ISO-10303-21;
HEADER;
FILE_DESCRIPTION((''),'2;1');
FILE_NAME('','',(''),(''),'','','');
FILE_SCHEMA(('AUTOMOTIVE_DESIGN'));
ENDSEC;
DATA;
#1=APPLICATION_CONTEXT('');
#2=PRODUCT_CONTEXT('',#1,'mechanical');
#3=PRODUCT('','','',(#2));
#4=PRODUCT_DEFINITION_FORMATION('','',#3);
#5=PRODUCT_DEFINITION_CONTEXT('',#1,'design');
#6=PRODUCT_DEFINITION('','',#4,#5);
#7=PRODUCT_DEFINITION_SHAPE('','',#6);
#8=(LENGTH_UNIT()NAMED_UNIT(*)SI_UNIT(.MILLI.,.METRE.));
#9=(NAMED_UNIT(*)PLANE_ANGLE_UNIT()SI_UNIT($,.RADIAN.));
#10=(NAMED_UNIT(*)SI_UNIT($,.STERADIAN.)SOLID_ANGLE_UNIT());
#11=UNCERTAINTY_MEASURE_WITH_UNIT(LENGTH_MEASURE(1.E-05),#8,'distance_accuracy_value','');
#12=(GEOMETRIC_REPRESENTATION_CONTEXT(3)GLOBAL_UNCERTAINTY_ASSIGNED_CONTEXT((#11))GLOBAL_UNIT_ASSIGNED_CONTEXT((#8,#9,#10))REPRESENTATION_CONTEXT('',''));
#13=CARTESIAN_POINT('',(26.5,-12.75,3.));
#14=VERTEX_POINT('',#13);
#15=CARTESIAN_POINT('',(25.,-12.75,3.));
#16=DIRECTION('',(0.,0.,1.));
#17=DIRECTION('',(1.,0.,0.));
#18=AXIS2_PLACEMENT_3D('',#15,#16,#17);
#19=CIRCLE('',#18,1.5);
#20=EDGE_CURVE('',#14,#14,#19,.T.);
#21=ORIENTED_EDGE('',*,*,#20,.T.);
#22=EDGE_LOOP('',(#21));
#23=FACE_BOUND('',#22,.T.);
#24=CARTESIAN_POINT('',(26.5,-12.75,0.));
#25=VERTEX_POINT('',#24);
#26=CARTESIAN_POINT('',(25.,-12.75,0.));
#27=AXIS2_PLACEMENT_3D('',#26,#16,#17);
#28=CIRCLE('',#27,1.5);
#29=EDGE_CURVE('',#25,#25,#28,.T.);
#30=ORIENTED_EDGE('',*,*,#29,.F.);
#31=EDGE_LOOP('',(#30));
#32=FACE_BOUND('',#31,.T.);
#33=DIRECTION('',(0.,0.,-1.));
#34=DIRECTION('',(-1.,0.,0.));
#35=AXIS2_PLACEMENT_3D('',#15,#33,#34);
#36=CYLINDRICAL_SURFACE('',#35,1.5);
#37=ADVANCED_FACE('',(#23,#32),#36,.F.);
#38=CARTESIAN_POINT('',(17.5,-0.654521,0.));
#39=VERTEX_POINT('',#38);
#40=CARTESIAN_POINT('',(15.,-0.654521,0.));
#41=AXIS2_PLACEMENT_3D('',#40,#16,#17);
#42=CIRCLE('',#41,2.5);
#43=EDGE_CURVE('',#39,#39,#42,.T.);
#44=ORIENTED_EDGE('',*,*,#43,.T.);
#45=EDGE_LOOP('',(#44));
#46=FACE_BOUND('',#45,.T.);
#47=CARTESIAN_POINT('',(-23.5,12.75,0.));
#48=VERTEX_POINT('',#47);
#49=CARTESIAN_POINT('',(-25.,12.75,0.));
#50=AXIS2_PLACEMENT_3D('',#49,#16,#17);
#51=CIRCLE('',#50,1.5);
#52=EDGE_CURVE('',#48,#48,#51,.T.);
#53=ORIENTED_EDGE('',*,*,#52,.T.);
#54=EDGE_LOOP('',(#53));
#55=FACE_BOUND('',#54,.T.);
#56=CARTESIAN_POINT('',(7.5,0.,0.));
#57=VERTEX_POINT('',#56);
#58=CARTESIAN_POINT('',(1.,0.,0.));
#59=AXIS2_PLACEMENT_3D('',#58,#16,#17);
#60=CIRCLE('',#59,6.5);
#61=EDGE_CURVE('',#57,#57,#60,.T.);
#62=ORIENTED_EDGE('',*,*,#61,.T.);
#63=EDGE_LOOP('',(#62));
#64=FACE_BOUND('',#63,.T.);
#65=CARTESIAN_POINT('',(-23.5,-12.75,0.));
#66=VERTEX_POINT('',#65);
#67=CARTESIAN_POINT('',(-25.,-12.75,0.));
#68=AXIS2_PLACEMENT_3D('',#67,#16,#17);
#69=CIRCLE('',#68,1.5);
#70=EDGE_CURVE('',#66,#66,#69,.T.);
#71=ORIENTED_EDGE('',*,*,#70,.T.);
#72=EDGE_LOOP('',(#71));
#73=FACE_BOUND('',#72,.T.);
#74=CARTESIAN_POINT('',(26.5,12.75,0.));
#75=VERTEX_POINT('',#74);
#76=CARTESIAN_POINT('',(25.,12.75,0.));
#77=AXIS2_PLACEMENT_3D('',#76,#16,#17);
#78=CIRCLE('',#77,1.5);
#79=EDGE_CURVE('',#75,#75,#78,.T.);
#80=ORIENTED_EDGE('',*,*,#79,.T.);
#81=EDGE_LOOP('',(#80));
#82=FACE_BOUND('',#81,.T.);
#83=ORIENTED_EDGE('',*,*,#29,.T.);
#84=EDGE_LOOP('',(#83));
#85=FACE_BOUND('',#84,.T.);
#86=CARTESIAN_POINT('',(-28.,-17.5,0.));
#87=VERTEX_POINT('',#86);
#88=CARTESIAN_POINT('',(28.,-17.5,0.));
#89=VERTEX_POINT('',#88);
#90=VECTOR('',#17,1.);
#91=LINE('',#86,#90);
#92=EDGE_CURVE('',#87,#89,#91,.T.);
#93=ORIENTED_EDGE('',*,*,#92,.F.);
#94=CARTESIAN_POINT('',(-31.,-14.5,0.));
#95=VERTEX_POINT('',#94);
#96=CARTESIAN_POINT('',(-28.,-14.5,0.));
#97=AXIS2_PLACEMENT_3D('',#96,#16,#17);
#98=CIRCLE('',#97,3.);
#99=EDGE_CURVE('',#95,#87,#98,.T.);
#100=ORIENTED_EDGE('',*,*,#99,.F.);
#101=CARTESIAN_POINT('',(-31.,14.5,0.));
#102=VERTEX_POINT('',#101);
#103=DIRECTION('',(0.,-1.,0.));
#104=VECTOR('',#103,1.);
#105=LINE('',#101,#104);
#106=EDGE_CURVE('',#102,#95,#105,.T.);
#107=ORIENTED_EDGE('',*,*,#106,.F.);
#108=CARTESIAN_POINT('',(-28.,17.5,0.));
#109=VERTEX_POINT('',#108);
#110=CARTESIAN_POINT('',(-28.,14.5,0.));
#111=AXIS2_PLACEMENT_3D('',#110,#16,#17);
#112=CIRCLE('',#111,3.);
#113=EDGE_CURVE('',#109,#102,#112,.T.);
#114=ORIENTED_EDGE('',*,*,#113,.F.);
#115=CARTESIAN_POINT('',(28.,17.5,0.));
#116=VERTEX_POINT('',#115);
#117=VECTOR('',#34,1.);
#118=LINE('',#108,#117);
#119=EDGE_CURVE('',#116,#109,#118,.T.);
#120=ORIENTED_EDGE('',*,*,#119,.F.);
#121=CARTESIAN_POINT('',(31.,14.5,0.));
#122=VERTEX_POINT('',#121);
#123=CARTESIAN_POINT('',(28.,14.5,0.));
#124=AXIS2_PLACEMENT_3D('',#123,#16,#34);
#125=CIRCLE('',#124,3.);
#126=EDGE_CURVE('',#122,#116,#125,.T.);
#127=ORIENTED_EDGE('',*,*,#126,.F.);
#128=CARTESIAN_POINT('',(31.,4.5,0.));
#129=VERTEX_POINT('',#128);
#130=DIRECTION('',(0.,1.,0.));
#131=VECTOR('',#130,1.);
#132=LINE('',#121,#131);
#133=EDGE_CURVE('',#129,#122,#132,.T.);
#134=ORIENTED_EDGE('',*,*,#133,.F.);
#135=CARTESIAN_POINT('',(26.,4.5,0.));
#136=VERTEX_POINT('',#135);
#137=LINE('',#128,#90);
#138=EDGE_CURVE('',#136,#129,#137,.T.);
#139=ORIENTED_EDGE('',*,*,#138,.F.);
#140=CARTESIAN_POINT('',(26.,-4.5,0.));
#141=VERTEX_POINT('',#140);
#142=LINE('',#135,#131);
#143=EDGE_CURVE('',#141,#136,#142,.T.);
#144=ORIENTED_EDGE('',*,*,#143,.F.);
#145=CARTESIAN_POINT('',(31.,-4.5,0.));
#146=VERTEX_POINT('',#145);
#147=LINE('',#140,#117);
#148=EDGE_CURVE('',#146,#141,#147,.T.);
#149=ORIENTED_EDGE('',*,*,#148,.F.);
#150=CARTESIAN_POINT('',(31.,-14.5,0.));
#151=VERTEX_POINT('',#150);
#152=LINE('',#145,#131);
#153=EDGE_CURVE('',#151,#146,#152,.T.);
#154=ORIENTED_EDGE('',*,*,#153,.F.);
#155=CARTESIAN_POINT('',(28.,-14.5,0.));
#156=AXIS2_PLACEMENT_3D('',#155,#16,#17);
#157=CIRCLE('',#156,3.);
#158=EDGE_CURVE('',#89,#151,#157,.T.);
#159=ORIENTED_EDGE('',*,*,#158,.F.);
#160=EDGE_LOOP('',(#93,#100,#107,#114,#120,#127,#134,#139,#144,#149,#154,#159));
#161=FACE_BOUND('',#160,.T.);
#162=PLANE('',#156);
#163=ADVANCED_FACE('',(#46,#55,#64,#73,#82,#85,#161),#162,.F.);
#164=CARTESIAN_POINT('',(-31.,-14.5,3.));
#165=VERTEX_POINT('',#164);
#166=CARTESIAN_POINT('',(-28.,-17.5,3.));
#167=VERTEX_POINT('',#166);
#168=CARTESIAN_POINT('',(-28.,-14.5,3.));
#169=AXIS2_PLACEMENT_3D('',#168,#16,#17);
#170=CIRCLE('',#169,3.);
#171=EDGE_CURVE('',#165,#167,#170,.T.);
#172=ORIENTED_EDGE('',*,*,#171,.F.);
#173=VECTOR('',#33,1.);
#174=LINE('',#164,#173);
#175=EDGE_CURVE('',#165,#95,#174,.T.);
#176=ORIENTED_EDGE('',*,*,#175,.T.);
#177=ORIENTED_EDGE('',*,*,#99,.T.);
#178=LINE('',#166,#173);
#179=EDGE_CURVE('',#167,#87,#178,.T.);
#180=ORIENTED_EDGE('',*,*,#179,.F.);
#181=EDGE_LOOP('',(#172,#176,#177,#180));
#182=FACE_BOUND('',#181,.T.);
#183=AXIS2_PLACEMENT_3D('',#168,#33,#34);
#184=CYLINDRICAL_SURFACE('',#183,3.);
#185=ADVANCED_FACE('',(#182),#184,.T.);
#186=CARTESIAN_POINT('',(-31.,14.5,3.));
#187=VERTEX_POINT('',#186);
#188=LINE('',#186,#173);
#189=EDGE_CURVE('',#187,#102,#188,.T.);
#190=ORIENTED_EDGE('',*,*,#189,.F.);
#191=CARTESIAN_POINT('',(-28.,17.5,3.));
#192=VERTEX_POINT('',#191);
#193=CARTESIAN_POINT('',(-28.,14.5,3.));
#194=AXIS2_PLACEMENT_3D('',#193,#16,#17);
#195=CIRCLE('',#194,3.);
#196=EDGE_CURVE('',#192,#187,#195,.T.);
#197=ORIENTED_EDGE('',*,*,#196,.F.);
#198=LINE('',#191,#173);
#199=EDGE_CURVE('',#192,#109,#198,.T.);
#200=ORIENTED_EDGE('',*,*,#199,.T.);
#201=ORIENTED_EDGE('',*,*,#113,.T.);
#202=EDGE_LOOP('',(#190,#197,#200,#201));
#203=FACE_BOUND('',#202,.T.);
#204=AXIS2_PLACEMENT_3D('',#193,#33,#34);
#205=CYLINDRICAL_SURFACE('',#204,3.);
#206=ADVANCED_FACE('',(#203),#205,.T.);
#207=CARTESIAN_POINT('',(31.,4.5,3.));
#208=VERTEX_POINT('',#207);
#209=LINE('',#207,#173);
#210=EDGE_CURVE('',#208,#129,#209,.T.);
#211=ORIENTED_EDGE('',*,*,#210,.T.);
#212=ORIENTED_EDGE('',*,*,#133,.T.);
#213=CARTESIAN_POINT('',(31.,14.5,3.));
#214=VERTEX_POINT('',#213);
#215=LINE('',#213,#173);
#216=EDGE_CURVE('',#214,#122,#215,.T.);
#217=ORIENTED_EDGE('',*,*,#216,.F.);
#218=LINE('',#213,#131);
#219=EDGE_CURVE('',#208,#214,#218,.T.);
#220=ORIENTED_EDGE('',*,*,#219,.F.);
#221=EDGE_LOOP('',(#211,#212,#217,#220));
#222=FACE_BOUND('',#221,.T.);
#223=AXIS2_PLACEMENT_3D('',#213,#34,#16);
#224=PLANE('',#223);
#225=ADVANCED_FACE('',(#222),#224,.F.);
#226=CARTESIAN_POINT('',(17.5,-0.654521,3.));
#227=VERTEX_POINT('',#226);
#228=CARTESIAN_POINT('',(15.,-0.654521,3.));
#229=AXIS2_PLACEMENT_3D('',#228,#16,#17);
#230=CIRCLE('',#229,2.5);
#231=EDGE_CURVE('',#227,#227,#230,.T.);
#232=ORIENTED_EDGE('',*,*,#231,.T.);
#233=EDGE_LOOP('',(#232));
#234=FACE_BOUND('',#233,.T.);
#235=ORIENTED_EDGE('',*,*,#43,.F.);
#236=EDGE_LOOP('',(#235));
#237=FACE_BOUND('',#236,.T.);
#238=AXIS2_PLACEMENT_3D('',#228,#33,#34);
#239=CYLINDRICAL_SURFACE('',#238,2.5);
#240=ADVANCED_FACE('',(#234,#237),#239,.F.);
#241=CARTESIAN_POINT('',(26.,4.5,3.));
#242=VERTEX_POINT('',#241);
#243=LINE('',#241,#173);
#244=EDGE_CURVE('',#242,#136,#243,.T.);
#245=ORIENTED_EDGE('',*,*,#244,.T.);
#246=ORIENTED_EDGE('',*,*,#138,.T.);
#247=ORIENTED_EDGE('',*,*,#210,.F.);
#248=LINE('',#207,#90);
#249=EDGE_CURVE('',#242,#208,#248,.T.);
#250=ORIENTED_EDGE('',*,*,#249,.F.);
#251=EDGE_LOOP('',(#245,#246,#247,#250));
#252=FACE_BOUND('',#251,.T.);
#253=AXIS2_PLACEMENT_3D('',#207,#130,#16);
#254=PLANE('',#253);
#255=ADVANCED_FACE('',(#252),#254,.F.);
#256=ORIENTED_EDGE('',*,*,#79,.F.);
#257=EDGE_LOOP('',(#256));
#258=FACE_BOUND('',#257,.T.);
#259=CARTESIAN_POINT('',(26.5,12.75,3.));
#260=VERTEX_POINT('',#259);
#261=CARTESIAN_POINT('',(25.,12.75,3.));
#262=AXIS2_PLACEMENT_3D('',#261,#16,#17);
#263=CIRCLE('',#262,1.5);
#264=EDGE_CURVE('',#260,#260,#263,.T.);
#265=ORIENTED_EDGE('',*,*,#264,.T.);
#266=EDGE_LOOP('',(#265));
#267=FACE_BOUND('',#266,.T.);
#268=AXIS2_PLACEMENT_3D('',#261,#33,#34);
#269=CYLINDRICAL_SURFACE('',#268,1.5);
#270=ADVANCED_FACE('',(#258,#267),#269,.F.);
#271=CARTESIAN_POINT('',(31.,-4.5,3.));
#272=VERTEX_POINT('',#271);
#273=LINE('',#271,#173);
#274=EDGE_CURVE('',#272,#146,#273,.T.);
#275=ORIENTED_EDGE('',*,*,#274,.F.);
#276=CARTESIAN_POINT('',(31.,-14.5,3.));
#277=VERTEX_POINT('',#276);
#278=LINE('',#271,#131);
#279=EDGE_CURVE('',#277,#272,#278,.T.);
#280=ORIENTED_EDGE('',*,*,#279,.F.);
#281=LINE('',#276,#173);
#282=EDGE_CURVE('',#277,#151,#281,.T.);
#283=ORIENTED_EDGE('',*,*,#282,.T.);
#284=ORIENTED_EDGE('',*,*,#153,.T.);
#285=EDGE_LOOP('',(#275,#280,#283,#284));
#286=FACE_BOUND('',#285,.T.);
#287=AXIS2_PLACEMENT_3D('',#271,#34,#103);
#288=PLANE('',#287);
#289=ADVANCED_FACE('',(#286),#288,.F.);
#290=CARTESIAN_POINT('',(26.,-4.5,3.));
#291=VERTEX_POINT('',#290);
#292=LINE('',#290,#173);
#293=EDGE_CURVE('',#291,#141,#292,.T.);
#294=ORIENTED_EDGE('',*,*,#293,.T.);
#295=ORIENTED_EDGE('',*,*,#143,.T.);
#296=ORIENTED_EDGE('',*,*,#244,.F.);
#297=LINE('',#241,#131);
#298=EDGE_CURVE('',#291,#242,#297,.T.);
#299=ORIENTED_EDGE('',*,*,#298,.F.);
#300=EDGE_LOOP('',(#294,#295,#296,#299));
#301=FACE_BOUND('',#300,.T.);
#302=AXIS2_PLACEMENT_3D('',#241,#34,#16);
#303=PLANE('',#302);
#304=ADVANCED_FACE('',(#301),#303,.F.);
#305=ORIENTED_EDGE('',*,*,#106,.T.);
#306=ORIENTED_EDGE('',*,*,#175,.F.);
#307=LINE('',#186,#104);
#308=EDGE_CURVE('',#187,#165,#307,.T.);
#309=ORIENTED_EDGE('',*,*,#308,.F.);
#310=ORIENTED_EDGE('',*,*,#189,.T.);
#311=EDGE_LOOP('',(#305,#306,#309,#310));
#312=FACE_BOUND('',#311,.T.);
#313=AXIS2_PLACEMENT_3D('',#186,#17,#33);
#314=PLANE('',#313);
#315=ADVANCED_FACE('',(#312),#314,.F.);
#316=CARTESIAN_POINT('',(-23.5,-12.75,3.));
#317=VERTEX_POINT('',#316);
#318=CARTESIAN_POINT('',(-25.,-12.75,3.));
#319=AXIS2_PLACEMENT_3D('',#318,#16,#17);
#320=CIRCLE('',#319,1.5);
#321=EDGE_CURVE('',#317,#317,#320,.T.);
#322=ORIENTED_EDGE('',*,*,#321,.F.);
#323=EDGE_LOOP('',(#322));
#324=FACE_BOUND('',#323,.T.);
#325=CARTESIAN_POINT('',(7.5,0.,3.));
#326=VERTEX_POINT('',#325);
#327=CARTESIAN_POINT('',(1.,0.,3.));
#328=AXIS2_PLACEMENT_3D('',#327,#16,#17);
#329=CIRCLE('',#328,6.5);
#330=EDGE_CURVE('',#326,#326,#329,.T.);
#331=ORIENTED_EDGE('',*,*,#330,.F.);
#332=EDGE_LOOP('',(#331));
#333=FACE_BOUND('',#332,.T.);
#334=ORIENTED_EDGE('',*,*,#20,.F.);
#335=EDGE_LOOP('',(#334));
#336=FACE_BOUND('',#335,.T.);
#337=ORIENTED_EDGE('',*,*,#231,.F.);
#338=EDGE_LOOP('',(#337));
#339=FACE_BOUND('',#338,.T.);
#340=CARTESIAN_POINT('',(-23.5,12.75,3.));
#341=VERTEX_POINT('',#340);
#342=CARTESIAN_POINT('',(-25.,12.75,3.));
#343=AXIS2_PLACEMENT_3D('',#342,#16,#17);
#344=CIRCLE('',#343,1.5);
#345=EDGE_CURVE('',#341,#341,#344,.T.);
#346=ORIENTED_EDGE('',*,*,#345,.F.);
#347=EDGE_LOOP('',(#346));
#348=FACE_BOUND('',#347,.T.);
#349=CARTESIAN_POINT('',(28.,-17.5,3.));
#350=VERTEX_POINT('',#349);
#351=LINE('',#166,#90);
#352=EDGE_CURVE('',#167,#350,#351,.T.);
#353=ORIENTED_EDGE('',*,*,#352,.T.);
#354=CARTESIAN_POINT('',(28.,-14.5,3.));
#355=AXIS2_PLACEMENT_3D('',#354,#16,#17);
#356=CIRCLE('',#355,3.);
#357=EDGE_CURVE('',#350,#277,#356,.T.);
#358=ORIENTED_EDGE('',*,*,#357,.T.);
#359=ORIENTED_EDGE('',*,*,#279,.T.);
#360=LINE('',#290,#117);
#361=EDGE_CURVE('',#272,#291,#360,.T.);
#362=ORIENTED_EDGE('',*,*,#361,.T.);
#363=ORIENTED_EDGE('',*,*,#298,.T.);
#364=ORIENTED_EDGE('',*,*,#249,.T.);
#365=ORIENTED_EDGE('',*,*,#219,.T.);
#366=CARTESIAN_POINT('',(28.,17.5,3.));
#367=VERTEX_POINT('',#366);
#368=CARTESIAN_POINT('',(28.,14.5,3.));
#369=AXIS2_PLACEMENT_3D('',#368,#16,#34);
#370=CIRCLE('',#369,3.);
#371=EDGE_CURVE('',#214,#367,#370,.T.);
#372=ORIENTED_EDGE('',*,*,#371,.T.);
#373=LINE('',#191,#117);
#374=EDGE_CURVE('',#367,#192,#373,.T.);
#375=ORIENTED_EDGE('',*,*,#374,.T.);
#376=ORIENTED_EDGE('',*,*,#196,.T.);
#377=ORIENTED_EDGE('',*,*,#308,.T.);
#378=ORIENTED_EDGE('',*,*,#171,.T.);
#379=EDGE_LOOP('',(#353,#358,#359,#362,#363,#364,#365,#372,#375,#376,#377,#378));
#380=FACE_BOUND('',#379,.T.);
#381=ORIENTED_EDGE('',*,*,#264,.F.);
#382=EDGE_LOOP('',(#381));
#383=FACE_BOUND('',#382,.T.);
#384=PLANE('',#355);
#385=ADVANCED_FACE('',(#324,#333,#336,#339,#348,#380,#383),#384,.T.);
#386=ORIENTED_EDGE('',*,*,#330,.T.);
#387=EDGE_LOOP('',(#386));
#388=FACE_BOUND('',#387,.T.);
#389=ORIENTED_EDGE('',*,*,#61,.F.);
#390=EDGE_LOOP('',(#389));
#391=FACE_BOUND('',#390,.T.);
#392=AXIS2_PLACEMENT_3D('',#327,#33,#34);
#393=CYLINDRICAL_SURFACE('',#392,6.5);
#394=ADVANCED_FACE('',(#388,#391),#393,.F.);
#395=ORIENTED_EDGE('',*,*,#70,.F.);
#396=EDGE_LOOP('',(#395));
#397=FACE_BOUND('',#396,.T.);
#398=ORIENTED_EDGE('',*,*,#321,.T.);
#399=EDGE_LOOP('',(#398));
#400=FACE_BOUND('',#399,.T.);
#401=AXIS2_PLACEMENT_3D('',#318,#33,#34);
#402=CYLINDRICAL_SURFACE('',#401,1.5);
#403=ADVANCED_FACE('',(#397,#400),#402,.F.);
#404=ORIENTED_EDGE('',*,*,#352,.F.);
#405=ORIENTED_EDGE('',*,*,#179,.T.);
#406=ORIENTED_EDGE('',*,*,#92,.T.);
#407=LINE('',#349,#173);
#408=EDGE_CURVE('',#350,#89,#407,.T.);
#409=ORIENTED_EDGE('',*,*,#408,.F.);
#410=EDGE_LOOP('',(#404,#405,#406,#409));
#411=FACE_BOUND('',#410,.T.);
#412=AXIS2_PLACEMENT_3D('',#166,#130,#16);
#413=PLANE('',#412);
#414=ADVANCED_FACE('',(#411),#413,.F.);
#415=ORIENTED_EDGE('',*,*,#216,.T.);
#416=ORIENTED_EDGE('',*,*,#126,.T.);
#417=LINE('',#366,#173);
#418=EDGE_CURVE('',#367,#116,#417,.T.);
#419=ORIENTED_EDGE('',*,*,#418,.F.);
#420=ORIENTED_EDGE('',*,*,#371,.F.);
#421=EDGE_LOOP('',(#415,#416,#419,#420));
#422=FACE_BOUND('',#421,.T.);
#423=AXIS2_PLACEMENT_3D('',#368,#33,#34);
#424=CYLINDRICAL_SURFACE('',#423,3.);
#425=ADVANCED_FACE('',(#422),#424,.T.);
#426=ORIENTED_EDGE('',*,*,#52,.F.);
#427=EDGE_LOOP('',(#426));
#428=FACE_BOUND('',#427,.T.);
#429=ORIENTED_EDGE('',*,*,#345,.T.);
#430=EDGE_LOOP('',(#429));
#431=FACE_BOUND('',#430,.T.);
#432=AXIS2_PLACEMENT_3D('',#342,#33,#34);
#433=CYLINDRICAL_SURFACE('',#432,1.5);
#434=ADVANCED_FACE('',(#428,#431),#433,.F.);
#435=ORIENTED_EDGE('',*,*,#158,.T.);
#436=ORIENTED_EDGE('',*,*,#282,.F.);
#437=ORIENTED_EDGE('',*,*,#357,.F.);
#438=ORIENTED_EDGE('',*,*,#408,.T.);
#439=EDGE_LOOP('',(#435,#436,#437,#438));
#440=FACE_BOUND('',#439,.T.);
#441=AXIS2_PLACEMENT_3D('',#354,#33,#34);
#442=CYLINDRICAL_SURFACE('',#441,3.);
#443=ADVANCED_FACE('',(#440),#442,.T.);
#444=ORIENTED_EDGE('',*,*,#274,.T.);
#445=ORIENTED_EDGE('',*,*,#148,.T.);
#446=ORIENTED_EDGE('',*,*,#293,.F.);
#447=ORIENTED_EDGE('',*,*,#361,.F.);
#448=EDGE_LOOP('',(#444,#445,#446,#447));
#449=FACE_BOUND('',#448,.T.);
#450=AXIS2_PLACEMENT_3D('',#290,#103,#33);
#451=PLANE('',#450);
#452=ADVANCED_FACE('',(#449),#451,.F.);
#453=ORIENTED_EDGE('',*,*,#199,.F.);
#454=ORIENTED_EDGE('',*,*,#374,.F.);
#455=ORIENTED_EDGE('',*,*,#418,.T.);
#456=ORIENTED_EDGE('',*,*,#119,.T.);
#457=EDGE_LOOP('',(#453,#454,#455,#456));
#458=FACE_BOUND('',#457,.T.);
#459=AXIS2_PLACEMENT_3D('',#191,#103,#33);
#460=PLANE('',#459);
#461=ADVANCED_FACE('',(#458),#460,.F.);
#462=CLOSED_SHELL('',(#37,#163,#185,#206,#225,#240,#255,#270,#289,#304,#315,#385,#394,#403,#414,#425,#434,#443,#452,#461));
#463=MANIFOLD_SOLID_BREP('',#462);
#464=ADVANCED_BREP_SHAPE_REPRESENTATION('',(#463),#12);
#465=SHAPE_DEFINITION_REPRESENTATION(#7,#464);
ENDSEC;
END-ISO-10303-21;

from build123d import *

# Parameters (mm, degrees)
SKETCH1_R           = 2.5
SKETCH1_R_2         = 6.5
SKETCH1_R_3         = 1.5
BOSS_EXTRUDE1_DEPTH = 3


with BuildPart() as part:
    # Sketch1 → Boss-Extrude1 (new body)
    with BuildSketch(Plane.XY):
        with BuildLine():
            Line((31, 4.5), (26, 4.5))
            Line((26, 4.5), (26, -4.5))
            Line((26, -4.5), (31, -4.5))
            Line((31, -4.5), (31, -14.5))
            ThreePointArc((31, -14.5), (30.121320344, -16.621320344), (28, -17.5))
            Line((28, -17.5), (-28, -17.5))
            ThreePointArc((-28, -17.5), (-30.121320344, -16.621320344), (-31, -14.5))
            Line((-31, -14.5), (-31, 14.5))
            ThreePointArc((-31, 14.5), (-30.121320344, 16.621320344), (-28, 17.5))
            Line((-28, 17.5), (28, 17.5))
            ThreePointArc((28, 17.5), (30.121320344, 16.621320344), (31, 14.5))
            Line((31, 14.5), (31, 4.5))
        make_face()
        with Locations((15, -0.654521384)):
            Circle(SKETCH1_R, mode=Mode.SUBTRACT)
        with Locations((1, 0)):
            Circle(SKETCH1_R_2, mode=Mode.SUBTRACT)
        with Locations((-25, 12.75)):
            Circle(SKETCH1_R_3, mode=Mode.SUBTRACT)
        with Locations((25, 12.75)):
            Circle(SKETCH1_R_3, mode=Mode.SUBTRACT)
        with Locations((25, -12.75)):
            Circle(SKETCH1_R_3, mode=Mode.SUBTRACT)
        with Locations((-25, -12.75)):
            Circle(SKETCH1_R_3, mode=Mode.SUBTRACT)
    extrude(amount=BOSS_EXTRUDE1_DEPTH)


solid = part.part
